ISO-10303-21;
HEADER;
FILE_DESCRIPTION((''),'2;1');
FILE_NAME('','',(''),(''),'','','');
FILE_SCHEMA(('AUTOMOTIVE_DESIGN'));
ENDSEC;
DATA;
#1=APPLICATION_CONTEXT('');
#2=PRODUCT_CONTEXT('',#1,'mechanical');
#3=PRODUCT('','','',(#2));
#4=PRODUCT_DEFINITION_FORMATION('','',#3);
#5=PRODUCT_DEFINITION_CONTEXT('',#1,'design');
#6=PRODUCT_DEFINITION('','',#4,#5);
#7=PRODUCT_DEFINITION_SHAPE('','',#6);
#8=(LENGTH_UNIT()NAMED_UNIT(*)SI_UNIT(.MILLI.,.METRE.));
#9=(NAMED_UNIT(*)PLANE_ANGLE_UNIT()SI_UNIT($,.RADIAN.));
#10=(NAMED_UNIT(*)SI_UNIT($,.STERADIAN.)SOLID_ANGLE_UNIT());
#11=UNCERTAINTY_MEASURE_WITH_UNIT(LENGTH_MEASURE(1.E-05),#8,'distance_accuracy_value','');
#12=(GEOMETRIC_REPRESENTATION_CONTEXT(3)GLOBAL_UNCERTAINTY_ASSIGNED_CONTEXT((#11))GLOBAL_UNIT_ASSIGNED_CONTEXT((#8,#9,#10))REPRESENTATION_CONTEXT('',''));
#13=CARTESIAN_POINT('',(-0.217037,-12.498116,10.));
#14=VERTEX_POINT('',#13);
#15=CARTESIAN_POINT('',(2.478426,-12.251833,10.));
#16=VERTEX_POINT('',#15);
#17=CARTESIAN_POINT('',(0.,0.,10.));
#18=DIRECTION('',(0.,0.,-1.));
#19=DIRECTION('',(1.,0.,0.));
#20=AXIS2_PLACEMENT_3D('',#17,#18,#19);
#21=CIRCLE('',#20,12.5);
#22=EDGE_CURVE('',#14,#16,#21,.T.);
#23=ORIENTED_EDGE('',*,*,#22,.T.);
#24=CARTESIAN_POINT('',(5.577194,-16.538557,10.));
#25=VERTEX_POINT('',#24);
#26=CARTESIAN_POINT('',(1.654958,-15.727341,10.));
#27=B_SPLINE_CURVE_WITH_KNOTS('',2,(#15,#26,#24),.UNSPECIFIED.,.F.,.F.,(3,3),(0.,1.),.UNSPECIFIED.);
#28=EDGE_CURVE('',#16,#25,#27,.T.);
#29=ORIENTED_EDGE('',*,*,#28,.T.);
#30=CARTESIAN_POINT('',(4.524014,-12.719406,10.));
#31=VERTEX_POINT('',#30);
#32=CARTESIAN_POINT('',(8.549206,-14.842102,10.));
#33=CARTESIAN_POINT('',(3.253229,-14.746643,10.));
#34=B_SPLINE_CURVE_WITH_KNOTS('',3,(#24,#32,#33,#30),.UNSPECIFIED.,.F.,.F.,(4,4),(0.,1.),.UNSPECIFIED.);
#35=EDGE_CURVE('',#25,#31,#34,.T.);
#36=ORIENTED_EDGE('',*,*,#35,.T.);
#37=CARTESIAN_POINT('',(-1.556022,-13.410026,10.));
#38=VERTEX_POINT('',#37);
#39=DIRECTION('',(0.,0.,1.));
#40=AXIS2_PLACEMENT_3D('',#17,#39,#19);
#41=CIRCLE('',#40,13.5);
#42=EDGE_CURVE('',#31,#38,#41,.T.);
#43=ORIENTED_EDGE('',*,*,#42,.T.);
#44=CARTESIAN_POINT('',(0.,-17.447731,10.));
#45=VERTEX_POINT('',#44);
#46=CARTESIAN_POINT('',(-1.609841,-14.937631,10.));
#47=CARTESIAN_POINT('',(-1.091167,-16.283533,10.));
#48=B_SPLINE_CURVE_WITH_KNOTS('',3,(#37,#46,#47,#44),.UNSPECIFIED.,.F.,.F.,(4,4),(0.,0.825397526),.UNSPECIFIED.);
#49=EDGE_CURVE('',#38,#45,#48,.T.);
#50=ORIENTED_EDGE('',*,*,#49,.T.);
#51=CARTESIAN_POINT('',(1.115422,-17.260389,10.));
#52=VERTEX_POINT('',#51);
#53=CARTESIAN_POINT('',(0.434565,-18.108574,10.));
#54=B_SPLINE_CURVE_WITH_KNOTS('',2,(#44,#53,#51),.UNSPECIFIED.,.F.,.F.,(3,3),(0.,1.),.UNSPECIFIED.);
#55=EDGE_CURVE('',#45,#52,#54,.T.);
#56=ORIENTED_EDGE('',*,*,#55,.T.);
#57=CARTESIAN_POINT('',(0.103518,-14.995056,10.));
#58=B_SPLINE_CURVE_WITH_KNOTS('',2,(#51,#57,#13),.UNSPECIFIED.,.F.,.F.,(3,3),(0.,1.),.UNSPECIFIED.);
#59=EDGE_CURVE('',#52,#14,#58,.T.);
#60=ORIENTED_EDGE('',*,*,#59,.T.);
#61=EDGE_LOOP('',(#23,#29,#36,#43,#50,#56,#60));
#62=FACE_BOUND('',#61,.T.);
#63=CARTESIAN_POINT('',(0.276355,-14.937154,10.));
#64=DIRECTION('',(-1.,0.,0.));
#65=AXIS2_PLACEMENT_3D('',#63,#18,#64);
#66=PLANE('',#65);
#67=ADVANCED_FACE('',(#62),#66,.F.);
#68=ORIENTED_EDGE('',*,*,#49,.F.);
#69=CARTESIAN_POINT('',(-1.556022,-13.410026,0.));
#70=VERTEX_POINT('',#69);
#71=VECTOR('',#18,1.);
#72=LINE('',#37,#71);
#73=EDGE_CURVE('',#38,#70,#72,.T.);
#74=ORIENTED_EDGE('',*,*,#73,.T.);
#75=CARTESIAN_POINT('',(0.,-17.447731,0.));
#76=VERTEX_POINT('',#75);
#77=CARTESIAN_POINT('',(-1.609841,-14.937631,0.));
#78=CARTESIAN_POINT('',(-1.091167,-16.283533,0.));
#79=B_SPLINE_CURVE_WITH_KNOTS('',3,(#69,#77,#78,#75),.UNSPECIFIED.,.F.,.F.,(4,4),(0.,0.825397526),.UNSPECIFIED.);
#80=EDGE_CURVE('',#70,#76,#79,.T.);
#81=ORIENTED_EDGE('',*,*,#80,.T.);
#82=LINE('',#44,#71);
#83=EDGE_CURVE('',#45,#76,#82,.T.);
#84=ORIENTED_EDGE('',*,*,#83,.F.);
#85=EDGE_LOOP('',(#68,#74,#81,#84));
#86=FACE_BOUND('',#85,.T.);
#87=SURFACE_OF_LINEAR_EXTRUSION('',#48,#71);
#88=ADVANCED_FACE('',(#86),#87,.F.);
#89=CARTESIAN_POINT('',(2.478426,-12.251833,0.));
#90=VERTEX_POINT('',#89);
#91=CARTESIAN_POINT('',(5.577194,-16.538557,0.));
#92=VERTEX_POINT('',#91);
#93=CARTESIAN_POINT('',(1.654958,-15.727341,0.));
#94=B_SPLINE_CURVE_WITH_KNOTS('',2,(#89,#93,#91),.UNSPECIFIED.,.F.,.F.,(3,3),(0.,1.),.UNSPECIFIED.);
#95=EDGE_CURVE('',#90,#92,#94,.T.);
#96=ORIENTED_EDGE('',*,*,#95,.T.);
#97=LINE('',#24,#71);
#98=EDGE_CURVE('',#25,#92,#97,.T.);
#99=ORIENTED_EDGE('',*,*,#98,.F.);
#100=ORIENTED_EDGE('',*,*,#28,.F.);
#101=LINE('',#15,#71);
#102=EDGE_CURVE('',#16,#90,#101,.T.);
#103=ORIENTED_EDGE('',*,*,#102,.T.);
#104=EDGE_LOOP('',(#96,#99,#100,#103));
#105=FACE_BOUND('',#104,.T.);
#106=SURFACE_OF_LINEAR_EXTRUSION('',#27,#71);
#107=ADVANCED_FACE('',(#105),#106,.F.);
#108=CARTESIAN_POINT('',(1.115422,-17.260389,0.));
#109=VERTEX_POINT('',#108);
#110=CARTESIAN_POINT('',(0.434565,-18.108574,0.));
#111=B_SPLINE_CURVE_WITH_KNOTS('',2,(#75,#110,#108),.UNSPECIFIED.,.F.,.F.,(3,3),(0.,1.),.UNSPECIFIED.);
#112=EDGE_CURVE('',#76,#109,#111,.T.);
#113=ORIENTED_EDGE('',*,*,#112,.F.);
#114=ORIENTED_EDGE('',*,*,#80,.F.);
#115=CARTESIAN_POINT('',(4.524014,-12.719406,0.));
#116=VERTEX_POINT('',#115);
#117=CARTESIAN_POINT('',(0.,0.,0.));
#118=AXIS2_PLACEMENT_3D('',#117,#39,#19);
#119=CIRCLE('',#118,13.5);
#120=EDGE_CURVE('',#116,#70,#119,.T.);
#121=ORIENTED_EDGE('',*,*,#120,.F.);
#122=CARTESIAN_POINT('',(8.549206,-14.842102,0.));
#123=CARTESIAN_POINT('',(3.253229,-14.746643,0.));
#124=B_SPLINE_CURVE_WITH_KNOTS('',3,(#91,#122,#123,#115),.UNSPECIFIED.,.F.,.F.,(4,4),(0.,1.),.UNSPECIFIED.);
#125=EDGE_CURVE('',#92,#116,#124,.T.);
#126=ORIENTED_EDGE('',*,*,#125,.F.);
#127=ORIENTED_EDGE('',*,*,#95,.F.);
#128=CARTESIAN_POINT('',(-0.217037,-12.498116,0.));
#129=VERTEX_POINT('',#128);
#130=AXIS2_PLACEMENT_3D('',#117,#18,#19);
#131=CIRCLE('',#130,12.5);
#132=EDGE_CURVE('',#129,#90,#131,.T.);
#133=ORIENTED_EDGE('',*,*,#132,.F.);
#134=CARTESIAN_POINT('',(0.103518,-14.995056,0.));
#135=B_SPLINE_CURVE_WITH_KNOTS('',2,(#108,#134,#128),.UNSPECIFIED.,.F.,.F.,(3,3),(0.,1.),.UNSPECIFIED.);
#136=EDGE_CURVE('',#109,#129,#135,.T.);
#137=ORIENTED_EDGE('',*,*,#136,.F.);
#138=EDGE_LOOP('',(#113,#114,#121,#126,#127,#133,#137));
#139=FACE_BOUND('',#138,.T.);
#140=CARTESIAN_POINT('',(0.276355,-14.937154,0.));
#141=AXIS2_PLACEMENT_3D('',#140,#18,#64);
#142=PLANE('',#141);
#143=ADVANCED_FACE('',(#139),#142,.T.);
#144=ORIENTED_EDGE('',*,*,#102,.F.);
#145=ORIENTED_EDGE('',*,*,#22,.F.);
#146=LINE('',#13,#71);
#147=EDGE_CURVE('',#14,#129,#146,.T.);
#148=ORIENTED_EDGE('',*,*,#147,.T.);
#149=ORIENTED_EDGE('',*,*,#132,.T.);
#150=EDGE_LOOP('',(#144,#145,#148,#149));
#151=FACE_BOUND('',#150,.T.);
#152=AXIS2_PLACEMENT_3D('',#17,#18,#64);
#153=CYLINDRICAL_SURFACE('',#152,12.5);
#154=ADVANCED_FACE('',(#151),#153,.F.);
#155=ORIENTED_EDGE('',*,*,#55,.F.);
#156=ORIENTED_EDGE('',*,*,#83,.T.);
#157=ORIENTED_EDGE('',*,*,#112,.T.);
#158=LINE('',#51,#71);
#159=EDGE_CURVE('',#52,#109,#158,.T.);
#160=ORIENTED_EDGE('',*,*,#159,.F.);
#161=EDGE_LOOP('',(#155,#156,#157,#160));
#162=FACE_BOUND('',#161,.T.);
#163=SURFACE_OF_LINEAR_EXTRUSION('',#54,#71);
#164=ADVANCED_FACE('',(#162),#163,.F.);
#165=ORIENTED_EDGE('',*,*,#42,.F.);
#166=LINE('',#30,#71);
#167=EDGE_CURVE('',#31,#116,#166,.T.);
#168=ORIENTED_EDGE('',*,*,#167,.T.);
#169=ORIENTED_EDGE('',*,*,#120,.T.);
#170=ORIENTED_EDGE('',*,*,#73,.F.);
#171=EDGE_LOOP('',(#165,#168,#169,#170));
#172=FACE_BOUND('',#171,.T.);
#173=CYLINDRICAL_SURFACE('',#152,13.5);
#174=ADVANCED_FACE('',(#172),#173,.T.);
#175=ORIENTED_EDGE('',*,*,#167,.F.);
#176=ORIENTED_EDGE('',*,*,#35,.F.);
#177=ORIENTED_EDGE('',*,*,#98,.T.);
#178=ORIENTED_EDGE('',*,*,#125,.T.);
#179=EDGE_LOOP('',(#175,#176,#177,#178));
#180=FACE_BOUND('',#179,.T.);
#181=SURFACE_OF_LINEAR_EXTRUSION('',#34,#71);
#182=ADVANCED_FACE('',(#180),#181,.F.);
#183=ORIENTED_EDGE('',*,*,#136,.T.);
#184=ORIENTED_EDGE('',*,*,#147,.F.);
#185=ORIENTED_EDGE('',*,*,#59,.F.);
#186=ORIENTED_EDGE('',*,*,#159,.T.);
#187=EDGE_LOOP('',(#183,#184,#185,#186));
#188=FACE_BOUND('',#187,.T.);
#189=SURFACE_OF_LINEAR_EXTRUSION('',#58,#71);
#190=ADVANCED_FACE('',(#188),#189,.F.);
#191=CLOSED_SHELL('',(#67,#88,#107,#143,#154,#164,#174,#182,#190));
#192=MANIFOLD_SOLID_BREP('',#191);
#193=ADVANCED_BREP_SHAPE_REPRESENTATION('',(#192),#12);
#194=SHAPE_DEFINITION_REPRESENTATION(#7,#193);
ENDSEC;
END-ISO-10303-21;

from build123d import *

# Parameters (mm, degrees)
BOSS_EXTRUDE1_DEPTH = 10


with BuildPart() as part:
    # Sketch1 → Boss-Extrude1 (new body)
    with BuildSketch(Plane.XY):
        with BuildLine():
            ThreePointArc((2.47842575, -12.251832753), (-1.137379909, 12.448147129), (-0.217037467, -12.498115647))
            add(Edge.make_bspline(
                [(-0.217037467, -12.498115647), (0.103518304, -14.995056083), (1.115421548, -17.260389343)],
                knots=[0, 0, 0, 1, 1, 1], degree=2))
            add(Edge.make_bspline(
                [(1.115421548, -17.260389343), (0.434564651, -18.108574327), (0, -17.447731212)],
                knots=[0, 0, 0, 1, 1, 1], degree=2))
            add(Edge.make_bspline(
                [(0, -17.447731212), (-1.091166652, -16.283532634), (-1.609840573, -14.937630884), (-1.556021763, -13.410025961)],
                knots=[0, 0, 0, 0, 0.825397526, 0.825397526, 0.825397526, 0.825397526], degree=3))
            ThreePointArc((-1.556021763, -13.410025961), (-1.523641622, 13.413743557), (4.524014275, -12.71940623))
            add(Edge.make_bspline(
                [(4.524014275, -12.71940623), (3.253229228, -14.746642768), (8.549206323, -14.842102086), (5.577194292, -16.538556843)],
                knots=[0, 0, 0, 0, 1, 1, 1, 1], degree=3))
            add(Edge.make_bspline(
                [(2.47842575, -12.251832753), (1.654957901, -15.727340902), (5.577194292, -16.538556843)],
                knots=[0, 0, 0, 1, 1, 1], degree=2))
        make_face()
    extrude(amount=BOSS_EXTRUDE1_DEPTH)


solid = part.part
